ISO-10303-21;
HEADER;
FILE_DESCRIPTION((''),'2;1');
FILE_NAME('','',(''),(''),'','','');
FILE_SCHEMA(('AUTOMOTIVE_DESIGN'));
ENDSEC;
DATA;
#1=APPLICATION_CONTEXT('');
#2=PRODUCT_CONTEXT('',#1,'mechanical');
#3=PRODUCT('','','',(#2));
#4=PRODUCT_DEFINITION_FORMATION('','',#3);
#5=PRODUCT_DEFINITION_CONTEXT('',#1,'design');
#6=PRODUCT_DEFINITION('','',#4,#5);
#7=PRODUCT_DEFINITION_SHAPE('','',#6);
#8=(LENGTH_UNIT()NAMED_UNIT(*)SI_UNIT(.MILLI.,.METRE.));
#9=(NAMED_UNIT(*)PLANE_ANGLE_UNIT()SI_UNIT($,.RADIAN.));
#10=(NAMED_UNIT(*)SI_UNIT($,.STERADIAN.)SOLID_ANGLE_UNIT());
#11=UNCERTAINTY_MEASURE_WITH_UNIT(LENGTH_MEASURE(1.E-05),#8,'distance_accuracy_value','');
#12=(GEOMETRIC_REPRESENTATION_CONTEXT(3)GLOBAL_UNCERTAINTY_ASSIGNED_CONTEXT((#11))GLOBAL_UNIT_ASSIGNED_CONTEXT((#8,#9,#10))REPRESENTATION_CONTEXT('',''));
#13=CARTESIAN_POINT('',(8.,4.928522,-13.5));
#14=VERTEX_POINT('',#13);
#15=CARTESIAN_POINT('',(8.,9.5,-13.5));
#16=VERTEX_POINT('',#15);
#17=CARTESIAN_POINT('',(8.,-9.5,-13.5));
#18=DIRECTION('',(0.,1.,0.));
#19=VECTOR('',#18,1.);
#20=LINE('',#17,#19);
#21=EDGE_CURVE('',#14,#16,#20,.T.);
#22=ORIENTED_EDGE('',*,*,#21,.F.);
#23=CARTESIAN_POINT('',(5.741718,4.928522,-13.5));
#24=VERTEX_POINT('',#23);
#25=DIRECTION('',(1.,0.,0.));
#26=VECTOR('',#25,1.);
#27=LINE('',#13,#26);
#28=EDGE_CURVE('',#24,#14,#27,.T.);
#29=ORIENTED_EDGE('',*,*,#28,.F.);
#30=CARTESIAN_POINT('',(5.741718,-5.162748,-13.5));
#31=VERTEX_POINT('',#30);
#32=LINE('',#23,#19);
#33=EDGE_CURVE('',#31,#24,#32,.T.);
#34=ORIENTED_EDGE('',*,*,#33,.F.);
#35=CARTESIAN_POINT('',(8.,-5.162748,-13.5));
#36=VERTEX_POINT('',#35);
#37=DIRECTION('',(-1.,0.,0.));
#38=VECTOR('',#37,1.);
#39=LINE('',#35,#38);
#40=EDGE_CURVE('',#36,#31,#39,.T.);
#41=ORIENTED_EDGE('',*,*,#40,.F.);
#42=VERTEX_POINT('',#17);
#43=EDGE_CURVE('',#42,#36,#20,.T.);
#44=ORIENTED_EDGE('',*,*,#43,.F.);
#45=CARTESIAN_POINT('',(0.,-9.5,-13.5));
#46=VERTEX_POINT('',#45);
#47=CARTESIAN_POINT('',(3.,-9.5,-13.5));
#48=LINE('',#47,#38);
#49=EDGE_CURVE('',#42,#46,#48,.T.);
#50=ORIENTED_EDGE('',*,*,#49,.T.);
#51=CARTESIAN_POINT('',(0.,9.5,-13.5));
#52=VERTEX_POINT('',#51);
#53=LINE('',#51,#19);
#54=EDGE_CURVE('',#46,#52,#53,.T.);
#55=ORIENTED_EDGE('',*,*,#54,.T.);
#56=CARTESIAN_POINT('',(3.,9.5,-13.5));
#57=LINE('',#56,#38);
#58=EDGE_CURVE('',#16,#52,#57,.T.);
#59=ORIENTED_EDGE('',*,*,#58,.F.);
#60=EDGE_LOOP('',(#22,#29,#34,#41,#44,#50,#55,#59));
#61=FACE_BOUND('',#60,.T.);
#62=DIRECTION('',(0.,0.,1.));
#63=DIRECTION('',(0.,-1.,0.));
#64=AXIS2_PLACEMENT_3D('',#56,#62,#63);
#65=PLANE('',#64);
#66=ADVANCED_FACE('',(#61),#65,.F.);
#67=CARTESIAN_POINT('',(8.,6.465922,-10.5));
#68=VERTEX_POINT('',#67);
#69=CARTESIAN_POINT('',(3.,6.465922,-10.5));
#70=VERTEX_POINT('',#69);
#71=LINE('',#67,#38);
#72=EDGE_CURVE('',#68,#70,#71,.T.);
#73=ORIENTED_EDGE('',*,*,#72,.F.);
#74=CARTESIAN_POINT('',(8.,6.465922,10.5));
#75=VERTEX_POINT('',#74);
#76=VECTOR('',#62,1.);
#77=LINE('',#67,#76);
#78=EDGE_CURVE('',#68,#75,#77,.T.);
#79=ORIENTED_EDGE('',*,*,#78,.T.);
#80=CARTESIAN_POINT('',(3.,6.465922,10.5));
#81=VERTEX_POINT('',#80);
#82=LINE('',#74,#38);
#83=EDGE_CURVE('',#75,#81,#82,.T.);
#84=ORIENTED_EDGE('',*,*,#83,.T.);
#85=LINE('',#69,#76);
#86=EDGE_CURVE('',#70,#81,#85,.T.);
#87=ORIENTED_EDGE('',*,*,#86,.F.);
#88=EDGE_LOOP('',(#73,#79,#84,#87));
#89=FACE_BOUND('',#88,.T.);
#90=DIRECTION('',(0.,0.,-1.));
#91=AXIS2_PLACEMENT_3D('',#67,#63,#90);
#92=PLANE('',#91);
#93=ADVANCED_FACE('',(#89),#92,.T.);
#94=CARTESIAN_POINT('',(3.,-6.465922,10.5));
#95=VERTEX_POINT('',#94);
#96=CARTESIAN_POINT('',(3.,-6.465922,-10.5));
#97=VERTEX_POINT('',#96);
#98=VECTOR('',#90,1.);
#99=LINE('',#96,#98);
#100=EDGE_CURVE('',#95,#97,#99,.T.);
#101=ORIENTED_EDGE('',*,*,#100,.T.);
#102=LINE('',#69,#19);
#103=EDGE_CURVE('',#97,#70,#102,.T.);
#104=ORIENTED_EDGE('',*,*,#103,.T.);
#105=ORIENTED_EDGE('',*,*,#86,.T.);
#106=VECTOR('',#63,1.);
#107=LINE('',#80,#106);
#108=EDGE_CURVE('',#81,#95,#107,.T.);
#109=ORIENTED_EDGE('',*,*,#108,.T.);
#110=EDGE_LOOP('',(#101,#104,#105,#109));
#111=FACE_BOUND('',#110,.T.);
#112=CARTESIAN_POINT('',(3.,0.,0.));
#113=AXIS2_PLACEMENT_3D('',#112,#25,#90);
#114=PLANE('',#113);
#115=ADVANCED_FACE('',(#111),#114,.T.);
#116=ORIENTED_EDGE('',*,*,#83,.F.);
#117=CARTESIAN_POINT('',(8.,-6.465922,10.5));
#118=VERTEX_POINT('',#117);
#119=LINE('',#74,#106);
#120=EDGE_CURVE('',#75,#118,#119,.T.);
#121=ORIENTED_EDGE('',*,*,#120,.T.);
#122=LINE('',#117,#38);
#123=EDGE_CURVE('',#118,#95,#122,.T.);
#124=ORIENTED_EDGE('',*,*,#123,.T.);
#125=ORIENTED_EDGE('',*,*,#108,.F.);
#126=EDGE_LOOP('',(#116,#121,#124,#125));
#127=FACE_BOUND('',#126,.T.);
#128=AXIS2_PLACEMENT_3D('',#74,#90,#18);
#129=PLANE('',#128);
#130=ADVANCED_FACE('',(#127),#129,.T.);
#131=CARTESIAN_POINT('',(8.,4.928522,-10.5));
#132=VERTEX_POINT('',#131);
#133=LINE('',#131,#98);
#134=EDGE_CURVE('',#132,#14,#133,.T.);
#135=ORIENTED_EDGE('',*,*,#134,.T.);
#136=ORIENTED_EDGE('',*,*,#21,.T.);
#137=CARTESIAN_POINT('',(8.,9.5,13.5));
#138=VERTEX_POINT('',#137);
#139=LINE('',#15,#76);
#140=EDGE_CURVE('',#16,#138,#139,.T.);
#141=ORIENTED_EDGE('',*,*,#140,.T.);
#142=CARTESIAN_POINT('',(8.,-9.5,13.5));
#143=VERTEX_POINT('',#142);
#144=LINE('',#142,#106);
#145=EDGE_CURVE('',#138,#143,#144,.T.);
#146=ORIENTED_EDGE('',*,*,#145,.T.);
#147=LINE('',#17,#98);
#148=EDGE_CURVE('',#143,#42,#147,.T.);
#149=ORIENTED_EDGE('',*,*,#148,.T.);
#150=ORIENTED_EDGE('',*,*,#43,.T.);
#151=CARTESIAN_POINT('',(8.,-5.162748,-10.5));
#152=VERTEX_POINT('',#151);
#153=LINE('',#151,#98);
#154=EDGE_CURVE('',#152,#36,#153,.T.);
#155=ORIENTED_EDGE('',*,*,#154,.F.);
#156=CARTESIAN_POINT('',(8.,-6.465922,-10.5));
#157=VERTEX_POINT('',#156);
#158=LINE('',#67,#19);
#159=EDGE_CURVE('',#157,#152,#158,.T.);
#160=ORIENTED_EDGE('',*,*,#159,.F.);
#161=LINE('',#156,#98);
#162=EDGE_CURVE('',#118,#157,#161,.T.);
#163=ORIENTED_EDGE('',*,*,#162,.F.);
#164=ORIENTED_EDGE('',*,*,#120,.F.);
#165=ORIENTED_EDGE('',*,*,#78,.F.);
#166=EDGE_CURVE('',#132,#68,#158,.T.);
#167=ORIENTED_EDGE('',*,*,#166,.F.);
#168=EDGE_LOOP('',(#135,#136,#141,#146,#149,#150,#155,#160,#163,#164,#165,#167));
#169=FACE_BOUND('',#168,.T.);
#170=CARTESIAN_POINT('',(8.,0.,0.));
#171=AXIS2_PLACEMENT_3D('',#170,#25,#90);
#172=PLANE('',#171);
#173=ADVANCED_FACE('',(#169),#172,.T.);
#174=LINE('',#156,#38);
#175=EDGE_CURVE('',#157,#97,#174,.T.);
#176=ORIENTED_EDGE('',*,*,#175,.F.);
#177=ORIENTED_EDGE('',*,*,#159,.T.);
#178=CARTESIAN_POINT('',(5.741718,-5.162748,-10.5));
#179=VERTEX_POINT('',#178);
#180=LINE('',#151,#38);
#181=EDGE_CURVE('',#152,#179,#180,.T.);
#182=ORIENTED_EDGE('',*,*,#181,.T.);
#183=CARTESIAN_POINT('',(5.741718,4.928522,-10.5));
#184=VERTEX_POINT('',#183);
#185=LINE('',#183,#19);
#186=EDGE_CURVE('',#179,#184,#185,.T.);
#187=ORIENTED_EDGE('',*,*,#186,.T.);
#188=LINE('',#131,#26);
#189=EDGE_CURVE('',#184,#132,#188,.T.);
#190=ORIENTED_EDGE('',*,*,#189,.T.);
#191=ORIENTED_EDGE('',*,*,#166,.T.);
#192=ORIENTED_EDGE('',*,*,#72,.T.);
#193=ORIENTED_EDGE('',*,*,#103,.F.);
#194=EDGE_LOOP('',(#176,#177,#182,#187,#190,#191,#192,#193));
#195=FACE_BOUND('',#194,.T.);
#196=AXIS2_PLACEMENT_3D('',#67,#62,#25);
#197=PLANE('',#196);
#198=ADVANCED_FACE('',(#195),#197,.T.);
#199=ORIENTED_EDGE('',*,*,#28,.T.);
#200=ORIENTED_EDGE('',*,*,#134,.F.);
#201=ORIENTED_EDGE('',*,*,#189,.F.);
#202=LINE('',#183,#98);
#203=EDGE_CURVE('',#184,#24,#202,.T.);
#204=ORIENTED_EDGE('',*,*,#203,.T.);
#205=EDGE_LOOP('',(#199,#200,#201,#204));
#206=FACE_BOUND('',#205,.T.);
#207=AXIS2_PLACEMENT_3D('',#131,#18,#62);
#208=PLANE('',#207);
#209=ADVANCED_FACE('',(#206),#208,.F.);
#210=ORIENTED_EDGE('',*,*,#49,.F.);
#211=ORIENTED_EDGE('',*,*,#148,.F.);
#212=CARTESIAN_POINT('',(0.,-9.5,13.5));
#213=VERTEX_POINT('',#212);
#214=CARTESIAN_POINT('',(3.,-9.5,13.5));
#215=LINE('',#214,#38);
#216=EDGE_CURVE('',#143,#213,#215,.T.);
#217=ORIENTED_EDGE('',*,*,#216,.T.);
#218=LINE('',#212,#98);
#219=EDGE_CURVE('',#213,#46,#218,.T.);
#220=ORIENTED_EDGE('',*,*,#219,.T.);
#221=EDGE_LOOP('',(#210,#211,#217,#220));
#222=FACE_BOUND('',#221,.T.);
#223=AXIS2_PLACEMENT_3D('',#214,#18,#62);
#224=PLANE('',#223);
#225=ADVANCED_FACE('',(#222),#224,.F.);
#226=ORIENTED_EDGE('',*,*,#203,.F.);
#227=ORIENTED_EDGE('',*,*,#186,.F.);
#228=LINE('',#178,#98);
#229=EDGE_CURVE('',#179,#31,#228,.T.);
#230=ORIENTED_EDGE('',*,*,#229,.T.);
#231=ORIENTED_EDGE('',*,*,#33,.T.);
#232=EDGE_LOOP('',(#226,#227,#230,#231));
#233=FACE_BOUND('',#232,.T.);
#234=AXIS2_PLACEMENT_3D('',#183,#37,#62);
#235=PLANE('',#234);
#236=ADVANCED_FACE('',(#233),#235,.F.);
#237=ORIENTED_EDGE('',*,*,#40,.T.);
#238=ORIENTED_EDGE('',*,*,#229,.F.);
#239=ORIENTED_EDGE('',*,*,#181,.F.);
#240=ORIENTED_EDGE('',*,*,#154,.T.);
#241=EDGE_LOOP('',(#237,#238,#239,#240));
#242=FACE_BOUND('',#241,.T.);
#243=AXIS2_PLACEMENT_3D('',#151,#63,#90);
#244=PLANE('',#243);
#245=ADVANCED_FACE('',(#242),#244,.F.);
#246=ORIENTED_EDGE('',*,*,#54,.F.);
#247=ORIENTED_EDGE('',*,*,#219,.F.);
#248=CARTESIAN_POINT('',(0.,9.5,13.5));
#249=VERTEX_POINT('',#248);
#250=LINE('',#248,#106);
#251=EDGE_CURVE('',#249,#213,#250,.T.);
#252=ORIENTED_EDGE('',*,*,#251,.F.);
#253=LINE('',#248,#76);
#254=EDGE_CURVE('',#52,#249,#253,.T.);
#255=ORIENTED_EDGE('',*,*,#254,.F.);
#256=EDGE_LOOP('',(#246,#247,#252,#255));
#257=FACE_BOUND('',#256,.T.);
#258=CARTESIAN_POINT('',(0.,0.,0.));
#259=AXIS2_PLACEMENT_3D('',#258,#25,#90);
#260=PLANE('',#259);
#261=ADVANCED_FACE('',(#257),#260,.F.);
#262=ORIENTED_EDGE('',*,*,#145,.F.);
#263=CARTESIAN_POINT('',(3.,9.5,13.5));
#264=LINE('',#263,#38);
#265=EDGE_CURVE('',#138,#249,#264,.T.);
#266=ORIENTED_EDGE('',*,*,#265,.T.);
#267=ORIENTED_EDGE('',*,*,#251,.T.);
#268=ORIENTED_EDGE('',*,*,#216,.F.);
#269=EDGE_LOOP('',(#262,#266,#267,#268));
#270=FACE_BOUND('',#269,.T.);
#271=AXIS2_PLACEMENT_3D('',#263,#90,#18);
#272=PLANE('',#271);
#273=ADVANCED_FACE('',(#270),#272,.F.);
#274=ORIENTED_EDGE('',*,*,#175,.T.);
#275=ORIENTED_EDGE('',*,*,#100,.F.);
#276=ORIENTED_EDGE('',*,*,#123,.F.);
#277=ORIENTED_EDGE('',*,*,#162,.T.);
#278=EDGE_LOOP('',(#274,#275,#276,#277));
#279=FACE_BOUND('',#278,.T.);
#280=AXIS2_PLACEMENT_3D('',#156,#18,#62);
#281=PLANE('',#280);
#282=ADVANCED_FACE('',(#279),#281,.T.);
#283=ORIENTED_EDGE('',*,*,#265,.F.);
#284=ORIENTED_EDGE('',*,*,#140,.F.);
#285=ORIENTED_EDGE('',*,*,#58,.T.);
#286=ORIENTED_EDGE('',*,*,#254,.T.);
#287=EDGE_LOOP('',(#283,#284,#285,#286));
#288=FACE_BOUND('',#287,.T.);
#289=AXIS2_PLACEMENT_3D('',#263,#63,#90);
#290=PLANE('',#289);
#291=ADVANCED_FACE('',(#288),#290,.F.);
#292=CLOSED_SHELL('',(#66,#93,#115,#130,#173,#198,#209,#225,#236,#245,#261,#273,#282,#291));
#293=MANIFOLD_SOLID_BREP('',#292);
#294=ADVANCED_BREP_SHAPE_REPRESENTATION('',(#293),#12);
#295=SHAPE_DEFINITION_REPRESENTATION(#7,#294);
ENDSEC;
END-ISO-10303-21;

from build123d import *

# Parameters (mm, degrees)
SKETCH1_W           = 27
SKETCH1_H           = 19
BOSS_EXTRUDE1_DEPTH = 3
SKETCH2_W           = 27
SKETCH2_H           = 19
SKETCH2_W_2         = 21
SKETCH2_H_2         = 12.931843368
BOSS_EXTRUDE2_DEPTH = 5
SKETCH3_W           = 2.258281888
SKETCH3_H           = 10.091270109
CUT_EXTRUDE1_DEPTH  = 3


with BuildPart() as part:
    # Sketch1 → Boss-Extrude1 (new body)
    with BuildSketch(Plane(origin=(0, 0, 0), x_dir=(0, 0, -1), z_dir=(1, 0, 0))):
        Rectangle(SKETCH1_W, SKETCH1_H)
    extrude(amount=BOSS_EXTRUDE1_DEPTH)

    # Sketch2 → Boss-Extrude2 (add)
    with BuildSketch(Plane(origin=(3, 0, 0), x_dir=(0, 0, -1), z_dir=(1, 0, 0))):
        Rectangle(SKETCH2_W, SKETCH2_H)
        Rectangle(SKETCH2_W_2, SKETCH2_H_2, mode=Mode.SUBTRACT)
    extrude(amount=BOSS_EXTRUDE2_DEPTH)

    # Sketch3 → Cut-Extrude1 (cut)
    with BuildSketch(Plane(origin=(0, 0, -13.5), x_dir=(-1, 0, 0), z_dir=(0, 0, -1))):
        with Locations((-6.870859056, -0.117113387)):
            Rectangle(SKETCH3_W, SKETCH3_H)
    extrude(amount=-CUT_EXTRUDE1_DEPTH, mode=Mode.SUBTRACT)


solid = part.part
